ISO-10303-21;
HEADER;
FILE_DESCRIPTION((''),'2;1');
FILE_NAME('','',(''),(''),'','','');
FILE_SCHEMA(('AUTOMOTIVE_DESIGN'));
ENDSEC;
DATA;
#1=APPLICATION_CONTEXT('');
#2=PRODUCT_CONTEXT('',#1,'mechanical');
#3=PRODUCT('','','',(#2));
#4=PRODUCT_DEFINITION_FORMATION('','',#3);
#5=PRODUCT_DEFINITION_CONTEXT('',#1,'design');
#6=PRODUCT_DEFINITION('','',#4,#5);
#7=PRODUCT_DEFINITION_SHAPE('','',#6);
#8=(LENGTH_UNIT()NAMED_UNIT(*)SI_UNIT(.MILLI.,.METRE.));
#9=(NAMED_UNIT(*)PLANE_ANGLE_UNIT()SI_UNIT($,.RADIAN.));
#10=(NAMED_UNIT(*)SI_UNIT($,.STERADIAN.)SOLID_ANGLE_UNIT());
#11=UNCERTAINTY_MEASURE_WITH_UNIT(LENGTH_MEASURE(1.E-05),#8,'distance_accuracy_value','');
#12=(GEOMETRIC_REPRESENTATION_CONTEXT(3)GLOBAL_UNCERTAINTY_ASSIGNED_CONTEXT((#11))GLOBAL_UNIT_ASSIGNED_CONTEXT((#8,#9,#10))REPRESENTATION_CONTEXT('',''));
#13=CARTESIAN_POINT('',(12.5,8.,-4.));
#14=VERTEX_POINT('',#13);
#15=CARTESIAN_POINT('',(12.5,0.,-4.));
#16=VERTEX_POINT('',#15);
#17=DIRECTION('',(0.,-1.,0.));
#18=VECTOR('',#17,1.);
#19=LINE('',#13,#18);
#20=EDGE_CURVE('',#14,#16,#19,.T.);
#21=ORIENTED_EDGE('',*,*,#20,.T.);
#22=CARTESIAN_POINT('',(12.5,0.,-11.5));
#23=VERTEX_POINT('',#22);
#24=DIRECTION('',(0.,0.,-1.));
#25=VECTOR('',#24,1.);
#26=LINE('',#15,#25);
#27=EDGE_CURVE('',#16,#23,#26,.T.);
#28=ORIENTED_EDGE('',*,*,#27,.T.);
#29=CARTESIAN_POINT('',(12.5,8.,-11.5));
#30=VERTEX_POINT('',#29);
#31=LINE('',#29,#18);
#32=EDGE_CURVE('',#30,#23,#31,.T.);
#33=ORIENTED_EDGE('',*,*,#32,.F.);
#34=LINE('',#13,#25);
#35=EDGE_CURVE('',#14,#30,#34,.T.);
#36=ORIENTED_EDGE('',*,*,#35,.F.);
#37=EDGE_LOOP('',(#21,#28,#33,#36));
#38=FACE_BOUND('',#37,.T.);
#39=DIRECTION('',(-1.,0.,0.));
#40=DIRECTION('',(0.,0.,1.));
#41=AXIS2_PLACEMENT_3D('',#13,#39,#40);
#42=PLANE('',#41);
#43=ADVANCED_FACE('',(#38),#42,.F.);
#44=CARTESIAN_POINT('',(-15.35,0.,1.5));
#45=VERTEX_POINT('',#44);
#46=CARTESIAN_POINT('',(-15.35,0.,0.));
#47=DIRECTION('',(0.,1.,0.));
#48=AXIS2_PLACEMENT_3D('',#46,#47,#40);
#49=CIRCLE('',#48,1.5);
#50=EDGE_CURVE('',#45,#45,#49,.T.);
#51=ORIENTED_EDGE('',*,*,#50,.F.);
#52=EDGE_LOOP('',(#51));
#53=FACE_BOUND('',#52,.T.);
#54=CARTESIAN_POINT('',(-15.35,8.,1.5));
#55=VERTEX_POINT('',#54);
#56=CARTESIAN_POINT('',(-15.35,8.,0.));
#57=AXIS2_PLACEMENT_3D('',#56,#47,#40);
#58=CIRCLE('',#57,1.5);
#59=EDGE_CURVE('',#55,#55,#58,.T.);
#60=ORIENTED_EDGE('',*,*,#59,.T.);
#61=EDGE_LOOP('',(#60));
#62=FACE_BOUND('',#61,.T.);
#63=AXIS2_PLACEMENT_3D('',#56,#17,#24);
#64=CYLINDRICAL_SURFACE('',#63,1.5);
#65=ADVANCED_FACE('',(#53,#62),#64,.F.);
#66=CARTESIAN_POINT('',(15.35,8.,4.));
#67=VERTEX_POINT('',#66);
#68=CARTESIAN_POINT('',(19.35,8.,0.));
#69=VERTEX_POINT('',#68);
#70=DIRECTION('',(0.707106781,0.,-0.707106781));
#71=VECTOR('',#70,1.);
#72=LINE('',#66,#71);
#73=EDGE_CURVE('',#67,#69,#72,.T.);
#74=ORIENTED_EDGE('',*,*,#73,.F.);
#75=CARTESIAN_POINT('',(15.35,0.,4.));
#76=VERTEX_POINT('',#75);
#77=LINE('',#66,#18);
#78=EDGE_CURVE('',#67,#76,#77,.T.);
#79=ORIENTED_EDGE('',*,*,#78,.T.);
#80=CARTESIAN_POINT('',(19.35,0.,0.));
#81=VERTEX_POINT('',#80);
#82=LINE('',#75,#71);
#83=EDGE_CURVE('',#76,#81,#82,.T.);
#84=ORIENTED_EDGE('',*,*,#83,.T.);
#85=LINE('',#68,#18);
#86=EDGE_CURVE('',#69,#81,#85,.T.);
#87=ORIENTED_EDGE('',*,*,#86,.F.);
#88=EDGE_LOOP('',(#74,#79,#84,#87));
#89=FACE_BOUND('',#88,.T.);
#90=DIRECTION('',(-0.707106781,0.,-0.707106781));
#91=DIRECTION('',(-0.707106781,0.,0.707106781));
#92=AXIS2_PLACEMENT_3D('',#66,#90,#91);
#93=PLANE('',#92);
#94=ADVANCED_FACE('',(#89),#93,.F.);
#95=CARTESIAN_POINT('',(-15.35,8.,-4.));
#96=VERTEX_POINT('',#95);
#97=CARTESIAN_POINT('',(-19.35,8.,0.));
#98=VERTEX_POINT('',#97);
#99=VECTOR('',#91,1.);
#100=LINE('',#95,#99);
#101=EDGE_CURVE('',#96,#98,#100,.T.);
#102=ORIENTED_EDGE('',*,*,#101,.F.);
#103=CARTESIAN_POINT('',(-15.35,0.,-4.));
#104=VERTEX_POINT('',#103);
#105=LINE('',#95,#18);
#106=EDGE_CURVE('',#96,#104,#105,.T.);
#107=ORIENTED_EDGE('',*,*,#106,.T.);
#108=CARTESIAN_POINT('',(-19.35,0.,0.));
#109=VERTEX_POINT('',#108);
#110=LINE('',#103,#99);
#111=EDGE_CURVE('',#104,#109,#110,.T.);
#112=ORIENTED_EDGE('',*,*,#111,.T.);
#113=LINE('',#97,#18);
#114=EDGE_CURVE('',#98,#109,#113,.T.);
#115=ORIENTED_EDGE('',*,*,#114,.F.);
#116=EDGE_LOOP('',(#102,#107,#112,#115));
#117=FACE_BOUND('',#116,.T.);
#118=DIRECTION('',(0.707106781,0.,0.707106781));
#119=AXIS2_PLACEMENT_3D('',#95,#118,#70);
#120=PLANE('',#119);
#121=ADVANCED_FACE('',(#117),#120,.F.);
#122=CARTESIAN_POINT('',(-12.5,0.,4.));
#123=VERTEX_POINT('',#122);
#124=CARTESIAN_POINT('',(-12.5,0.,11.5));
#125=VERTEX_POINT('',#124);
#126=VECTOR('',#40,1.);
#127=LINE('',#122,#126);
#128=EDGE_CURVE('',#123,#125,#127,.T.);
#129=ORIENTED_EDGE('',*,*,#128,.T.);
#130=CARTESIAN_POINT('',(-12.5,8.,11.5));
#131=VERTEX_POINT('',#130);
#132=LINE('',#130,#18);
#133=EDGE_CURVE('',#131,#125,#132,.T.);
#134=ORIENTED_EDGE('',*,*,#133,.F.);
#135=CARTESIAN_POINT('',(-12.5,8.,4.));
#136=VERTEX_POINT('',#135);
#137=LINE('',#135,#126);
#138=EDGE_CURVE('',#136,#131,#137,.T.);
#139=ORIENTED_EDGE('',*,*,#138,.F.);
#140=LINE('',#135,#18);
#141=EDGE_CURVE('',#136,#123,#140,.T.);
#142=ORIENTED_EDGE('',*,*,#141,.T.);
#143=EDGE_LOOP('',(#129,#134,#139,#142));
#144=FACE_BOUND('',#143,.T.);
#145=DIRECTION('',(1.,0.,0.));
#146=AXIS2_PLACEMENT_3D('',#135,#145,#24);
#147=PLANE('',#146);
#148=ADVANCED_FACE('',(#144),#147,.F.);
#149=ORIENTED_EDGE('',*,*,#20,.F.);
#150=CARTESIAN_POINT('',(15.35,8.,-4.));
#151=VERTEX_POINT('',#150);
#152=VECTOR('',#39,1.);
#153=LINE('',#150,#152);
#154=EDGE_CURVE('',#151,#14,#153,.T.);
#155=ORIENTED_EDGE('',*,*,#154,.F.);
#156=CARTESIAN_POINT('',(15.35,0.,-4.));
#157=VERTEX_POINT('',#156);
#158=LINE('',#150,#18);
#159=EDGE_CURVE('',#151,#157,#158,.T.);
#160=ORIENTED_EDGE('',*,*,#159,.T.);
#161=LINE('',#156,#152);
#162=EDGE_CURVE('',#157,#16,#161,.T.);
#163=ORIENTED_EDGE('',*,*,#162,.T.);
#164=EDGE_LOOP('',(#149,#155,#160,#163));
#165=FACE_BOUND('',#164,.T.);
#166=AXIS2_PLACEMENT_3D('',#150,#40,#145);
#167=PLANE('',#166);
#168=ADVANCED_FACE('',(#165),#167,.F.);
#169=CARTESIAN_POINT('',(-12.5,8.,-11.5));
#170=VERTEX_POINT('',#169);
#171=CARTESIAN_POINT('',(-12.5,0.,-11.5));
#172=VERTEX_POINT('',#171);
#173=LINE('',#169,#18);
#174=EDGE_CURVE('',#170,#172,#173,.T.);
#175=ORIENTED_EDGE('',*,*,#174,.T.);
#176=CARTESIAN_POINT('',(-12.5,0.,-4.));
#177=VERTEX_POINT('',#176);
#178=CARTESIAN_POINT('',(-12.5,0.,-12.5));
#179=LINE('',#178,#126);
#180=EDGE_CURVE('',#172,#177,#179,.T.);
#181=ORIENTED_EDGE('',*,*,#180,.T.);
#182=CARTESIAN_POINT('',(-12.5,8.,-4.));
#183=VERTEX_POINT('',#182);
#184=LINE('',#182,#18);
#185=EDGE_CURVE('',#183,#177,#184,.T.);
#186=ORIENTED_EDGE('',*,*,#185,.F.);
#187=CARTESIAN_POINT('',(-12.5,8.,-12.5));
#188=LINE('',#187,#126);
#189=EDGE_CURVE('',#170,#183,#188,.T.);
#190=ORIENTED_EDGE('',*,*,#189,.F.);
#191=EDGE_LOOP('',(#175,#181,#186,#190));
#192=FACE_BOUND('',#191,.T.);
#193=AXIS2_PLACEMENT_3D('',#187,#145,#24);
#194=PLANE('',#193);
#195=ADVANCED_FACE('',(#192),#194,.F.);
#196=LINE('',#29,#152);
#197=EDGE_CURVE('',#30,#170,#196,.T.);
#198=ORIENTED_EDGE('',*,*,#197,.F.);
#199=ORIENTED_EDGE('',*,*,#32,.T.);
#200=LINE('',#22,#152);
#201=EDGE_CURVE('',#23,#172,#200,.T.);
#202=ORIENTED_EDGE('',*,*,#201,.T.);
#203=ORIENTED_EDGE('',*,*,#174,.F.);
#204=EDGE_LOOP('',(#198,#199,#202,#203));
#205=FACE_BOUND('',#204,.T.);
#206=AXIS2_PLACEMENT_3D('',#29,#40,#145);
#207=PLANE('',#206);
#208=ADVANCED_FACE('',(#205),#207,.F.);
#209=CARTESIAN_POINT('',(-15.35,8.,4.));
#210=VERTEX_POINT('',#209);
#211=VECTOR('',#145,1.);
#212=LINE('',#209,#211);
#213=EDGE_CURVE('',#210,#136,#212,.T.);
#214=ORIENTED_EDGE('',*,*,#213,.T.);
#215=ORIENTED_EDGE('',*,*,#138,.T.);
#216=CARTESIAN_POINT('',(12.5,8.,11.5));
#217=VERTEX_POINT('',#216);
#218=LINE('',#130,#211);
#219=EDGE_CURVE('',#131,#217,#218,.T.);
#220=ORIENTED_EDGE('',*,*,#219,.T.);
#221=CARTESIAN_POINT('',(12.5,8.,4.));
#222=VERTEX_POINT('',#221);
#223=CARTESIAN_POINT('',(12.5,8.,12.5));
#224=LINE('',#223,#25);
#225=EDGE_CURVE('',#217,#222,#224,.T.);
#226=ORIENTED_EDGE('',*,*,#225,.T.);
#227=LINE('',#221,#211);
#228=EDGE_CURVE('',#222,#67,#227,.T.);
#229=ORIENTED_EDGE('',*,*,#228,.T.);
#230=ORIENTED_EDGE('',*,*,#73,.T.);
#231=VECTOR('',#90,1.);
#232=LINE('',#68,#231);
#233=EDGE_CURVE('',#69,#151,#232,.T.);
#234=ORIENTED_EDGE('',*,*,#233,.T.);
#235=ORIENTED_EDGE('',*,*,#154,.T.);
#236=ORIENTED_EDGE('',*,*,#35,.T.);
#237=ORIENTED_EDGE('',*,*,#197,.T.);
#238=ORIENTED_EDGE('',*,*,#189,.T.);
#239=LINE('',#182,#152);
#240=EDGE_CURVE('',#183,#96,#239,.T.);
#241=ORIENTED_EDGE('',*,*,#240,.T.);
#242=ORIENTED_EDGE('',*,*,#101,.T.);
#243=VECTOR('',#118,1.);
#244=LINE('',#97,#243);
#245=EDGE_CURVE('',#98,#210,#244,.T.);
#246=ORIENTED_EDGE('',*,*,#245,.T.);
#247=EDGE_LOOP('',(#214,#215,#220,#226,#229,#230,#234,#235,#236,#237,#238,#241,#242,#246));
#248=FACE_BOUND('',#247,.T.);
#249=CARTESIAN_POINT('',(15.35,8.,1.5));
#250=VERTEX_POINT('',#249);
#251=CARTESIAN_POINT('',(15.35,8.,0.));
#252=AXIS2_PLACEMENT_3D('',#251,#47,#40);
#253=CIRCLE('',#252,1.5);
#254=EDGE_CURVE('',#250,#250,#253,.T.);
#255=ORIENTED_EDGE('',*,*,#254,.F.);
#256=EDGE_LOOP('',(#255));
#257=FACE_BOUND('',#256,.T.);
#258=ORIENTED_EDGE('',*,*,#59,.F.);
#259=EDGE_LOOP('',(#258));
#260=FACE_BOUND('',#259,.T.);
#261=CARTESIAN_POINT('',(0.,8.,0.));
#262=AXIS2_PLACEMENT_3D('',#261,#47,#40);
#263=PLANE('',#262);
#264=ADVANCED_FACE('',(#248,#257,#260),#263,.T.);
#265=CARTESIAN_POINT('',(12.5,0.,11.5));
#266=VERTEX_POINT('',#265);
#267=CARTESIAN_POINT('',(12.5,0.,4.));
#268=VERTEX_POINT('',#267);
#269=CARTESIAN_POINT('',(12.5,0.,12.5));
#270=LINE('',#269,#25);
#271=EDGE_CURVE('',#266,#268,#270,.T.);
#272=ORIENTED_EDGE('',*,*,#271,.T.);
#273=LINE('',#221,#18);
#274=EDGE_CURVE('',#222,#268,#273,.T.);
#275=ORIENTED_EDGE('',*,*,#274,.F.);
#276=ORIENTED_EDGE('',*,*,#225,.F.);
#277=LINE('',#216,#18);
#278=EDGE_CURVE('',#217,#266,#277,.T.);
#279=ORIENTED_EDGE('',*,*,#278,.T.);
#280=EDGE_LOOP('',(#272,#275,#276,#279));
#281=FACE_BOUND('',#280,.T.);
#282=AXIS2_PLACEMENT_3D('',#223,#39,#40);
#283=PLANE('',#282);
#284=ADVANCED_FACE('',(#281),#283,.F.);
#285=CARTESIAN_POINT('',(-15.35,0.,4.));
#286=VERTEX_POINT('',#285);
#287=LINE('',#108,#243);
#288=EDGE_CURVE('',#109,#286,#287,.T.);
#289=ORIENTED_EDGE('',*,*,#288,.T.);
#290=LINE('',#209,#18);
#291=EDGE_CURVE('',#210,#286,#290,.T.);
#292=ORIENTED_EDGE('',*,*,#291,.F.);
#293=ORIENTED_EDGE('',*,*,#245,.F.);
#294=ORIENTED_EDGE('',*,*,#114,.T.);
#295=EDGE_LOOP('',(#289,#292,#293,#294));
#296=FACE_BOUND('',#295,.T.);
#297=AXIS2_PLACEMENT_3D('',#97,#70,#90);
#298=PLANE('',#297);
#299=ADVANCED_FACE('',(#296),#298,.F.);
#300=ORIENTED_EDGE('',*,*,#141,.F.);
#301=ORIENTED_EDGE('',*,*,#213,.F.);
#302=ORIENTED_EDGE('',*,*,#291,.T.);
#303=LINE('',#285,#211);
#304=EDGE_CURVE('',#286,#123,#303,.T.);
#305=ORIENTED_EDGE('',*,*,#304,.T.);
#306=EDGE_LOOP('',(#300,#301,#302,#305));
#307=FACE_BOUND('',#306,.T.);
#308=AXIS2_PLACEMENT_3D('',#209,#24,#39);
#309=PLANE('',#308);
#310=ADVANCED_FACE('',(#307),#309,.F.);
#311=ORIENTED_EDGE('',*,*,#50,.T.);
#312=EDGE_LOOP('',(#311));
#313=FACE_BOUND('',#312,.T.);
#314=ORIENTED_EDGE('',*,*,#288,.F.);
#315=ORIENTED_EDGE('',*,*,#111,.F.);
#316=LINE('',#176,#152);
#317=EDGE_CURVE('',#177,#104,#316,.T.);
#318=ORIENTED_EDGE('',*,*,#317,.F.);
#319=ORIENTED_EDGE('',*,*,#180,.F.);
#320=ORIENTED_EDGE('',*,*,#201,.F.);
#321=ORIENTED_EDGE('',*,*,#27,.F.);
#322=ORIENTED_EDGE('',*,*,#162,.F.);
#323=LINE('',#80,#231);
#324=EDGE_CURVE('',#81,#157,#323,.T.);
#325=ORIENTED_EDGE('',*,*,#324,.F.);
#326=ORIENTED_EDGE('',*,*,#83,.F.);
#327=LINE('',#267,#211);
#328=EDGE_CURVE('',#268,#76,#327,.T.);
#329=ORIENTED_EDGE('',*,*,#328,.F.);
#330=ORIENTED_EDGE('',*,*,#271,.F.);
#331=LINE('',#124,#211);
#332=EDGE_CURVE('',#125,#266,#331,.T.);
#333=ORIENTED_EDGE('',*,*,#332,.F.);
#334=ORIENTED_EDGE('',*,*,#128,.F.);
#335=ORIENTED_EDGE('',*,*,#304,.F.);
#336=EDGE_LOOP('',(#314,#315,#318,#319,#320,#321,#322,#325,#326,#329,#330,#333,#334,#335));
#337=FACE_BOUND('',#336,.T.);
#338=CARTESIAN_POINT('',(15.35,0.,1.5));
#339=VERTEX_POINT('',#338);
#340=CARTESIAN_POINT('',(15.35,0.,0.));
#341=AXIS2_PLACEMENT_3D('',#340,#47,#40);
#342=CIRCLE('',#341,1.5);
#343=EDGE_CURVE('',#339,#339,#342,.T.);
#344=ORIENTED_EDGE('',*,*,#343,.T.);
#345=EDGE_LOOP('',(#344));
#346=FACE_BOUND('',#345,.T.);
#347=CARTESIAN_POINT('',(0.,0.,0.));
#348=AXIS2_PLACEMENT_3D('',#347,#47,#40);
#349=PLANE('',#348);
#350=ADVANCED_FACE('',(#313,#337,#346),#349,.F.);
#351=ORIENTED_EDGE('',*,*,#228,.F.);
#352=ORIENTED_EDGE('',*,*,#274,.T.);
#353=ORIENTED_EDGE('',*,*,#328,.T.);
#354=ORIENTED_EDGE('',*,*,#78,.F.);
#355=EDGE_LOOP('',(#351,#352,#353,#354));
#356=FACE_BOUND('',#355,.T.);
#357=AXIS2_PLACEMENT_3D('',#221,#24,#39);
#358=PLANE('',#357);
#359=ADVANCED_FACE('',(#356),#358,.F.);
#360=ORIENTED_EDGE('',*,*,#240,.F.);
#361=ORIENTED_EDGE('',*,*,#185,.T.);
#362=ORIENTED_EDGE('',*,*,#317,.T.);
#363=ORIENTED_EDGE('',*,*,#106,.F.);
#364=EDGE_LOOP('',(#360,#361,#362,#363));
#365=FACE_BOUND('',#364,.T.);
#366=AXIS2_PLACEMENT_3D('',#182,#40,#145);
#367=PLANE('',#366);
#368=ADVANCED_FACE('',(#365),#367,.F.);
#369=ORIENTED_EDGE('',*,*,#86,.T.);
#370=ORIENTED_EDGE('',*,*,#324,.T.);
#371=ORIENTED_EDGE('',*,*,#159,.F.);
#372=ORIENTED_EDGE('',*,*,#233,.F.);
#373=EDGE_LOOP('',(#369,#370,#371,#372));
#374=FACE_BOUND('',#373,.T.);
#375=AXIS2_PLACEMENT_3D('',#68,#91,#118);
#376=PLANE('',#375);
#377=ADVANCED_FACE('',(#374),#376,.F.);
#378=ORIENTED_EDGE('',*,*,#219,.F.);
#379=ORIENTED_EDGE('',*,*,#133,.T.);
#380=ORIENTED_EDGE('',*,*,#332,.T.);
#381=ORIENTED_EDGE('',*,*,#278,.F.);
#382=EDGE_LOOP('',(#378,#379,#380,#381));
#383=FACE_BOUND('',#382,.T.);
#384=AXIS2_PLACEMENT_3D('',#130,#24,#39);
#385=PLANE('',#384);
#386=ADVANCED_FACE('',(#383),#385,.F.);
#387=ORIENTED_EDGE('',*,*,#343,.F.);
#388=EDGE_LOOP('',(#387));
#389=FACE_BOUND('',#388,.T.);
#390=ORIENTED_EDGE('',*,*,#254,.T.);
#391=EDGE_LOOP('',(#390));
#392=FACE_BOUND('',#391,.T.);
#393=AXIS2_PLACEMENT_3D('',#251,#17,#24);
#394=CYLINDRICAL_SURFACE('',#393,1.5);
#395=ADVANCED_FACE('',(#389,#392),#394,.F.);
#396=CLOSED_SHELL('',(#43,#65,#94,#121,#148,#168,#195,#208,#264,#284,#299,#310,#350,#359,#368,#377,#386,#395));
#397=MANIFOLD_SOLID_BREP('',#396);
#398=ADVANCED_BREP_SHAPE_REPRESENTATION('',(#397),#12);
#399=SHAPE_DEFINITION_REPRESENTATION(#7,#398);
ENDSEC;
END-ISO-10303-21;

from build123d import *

# Parameters (mm, degrees)
SKETCH_1_R           = 1.5
F_8MM_DEPTH          = 8
MOVE_FACE_25_23_BY   = 1
MOVE_FACE_25_23_2_BY = 1


with BuildPart() as part:
    # 草图1 → 外壳模块组合包络_厚度暂估8mm (new body)
    with BuildSketch(Plane(origin=(0, 0, 0), x_dir=(1, 0, 0), z_dir=(0, 1, 0))):
        Polygon((-19.35, 0), (-15.35, -4), (-12.5, -4), (-12.5, -12.5), (12.5, -12.5), (12.5, -4), (15.35, -4), (19.35, 0), (15.35, 4), (12.5, 4), (12.5, 12.5), (-12.5, 12.5), (-12.5, 4), (-15.35, 4), align=None)
        with Locations(Location((-15.35, 0, 0), (0, 0, 270))):
            Circle(SKETCH_1_R, mode=Mode.SUBTRACT)
        with Locations(Location((15.35, 0, 0), (0, 0, 270))):
            Circle(SKETCH_1_R, mode=Mode.SUBTRACT)
    extrude(amount=F_8MM_DEPTH)

    # Move Face 25_23: a face moved inward by 1.0
    extrude(part.faces().sort_by_distance((0, 4, -12.5))[0], amount=MOVE_FACE_25_23_BY, dir=(0, 0, 1), mode=Mode.SUBTRACT)

    # Move Face 25_23 2: a face moved inward by 1.0
    extrude(part.faces().sort_by_distance((0, 4, 12.5))[0], amount=MOVE_FACE_25_23_2_BY, dir=(0, 0, -1), mode=Mode.SUBTRACT)


solid = part.part
